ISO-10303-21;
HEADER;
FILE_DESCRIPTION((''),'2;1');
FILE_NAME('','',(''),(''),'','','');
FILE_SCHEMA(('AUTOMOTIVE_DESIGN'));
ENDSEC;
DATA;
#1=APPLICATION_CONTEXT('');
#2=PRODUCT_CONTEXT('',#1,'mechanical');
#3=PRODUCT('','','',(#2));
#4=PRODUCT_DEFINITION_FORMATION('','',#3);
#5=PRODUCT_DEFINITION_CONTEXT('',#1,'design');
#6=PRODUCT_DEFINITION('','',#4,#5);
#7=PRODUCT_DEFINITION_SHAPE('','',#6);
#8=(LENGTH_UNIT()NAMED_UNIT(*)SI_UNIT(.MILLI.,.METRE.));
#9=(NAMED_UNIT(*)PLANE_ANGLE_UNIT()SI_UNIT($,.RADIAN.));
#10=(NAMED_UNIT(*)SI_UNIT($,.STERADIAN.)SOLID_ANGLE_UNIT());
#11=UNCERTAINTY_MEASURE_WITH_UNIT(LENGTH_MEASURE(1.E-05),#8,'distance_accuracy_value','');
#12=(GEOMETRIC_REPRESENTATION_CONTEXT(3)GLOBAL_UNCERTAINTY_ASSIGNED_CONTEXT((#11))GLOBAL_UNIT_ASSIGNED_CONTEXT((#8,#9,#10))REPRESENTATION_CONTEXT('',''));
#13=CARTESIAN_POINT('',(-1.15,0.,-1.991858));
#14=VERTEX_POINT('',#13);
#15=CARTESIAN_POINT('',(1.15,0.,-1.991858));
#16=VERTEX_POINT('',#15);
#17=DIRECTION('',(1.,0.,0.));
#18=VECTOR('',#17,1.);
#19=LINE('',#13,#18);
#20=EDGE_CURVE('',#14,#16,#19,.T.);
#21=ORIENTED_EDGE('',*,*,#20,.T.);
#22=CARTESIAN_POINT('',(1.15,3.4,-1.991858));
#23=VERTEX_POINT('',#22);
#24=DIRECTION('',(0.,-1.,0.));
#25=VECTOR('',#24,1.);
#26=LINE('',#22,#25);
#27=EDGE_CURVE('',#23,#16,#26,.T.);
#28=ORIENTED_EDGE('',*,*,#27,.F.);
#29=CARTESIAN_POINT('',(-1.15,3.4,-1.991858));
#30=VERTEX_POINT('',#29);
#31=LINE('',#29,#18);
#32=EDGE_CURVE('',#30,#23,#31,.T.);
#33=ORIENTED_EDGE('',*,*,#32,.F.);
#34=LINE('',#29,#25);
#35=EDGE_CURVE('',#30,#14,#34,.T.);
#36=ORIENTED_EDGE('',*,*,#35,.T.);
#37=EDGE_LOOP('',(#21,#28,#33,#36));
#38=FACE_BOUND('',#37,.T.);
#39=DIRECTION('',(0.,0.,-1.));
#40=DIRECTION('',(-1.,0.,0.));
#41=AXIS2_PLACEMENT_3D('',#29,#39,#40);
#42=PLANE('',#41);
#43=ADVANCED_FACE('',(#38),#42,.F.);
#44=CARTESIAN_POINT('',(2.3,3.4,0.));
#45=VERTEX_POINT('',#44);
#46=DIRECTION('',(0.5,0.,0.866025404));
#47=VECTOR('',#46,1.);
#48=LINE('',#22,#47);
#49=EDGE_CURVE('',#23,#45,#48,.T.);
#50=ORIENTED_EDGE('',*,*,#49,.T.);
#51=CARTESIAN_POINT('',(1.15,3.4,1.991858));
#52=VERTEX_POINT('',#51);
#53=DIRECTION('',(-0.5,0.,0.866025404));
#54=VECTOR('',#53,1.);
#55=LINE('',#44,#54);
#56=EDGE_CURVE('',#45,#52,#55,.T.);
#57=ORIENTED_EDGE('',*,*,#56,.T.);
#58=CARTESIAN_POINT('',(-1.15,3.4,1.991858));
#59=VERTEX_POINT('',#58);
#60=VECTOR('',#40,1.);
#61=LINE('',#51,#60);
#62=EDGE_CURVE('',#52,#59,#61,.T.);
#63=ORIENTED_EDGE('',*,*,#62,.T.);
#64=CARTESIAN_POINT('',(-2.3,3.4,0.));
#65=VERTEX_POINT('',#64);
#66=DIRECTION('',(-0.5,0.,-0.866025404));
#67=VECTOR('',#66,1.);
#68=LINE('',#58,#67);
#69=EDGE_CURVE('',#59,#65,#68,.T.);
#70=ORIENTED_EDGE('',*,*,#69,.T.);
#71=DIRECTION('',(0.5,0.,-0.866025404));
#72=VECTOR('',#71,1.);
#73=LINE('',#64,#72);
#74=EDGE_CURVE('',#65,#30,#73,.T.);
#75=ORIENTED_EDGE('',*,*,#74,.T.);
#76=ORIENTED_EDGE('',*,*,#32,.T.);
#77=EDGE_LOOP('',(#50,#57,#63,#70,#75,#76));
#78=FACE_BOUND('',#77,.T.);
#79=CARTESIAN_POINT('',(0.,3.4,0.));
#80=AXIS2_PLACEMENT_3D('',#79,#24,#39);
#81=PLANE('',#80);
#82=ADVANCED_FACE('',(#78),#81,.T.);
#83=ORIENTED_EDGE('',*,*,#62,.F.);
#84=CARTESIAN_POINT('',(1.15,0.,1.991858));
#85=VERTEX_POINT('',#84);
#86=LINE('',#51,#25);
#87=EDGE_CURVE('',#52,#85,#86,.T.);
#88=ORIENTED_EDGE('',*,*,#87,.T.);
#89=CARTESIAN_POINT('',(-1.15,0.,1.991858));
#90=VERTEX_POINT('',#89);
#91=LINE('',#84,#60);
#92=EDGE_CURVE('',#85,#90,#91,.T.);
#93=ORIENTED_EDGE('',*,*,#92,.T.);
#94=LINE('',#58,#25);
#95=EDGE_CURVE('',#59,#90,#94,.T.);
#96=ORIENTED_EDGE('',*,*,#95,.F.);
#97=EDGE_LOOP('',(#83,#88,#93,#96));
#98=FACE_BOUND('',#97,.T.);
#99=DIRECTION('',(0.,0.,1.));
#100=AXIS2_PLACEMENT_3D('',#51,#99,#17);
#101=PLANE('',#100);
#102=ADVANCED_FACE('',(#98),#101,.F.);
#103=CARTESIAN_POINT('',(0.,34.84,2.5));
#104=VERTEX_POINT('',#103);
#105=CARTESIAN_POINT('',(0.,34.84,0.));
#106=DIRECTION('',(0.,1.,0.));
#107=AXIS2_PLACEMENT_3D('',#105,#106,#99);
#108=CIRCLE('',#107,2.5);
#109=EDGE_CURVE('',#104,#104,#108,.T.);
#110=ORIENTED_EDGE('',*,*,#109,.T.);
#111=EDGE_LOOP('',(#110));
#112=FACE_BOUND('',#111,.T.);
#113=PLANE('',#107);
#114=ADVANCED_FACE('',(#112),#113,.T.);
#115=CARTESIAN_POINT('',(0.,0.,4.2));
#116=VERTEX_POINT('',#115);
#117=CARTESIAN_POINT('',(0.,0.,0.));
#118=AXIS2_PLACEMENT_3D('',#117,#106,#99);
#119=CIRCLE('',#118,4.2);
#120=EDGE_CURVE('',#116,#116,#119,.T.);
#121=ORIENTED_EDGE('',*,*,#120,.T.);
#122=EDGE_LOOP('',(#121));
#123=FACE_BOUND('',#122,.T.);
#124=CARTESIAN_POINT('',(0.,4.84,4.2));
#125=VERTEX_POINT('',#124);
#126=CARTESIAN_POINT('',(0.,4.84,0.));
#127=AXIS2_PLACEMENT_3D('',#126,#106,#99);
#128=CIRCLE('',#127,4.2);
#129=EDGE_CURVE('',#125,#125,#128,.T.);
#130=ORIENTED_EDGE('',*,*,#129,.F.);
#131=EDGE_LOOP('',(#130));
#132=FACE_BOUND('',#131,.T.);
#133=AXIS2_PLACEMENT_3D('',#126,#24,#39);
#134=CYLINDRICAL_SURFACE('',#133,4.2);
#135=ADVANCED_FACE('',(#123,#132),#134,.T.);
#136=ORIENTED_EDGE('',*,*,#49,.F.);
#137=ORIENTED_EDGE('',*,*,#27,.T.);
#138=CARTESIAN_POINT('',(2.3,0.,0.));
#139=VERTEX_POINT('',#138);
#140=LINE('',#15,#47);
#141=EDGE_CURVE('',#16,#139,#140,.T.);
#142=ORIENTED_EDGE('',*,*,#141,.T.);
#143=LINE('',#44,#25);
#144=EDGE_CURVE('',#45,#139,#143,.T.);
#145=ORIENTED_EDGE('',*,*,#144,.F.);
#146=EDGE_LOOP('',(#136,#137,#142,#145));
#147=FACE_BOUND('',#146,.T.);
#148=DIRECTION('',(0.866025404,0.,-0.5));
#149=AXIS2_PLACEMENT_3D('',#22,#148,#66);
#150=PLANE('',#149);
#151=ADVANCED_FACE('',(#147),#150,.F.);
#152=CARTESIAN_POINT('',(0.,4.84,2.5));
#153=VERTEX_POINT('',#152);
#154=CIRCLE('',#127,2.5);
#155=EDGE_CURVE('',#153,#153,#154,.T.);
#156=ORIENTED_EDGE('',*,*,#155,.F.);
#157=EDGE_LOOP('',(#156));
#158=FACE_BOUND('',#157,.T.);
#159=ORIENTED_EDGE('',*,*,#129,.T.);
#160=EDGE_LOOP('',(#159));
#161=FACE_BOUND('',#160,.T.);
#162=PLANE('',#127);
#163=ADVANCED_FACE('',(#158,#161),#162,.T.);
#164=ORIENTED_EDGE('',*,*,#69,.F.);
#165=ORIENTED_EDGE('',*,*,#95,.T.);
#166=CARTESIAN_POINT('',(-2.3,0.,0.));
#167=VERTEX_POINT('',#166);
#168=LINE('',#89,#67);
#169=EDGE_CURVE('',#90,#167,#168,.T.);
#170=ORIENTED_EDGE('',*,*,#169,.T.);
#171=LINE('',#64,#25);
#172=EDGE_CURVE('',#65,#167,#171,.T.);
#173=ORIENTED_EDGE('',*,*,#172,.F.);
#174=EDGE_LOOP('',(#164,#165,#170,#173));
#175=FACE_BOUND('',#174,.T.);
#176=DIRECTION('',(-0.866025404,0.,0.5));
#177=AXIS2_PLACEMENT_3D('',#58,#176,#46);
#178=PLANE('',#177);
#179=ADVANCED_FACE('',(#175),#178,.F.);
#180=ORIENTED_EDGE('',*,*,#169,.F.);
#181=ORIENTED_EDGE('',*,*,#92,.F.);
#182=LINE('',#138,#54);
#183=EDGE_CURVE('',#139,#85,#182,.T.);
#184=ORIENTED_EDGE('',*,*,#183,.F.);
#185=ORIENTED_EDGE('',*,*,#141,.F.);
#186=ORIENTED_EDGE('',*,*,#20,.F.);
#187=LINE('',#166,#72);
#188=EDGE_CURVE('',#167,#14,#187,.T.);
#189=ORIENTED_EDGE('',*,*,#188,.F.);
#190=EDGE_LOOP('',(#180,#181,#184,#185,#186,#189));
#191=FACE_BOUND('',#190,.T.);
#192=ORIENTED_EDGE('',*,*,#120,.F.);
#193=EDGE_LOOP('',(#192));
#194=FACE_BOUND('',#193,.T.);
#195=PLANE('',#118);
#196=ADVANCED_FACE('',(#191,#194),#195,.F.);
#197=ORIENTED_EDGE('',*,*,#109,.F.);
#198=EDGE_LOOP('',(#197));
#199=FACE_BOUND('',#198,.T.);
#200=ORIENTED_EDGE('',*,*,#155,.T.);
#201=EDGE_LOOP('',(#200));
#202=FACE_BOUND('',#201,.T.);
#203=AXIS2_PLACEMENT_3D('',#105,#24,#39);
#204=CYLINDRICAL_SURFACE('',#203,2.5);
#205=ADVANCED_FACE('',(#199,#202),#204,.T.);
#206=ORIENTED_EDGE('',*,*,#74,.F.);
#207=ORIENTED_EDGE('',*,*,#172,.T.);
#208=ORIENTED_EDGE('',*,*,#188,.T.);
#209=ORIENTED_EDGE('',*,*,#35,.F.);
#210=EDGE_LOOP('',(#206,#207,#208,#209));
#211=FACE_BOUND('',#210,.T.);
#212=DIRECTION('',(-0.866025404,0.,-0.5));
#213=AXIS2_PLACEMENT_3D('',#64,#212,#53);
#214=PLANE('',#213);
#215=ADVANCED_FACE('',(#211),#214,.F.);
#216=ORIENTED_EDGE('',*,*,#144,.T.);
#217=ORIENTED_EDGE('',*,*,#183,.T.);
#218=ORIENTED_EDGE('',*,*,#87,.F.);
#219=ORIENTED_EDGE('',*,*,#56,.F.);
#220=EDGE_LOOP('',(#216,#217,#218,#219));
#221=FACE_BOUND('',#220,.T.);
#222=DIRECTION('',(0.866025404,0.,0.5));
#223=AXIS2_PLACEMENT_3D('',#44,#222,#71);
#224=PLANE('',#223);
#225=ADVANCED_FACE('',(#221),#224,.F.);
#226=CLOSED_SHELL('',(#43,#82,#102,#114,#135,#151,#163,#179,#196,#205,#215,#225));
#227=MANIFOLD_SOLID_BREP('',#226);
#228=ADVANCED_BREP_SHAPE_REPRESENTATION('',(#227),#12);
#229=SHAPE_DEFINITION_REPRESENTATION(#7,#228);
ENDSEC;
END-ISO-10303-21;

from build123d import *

# Parameters (mm, degrees)
SKETCH_1_R          = 4.2
EXTRUDE_1_DEPTH     = 4.84
SKETCH_2_R          = 2.5
EXTRUDE_2_DEPTH     = 30
CUT_EXTRUDE_1_DEPTH = 3.4


with BuildPart() as part:
    # 草图1 → 凸台-拉伸1 (new body)
    with BuildSketch(Plane(origin=(0, 0, 0), x_dir=(1, 0, 0), z_dir=(0, 1, 0))):
        Circle(SKETCH_1_R)
    extrude(amount=EXTRUDE_1_DEPTH)

    # 草图2 → 凸台-拉伸2 (add)
    with BuildSketch(Plane(origin=(0, 4.84, 0), x_dir=(1, 0, 0), z_dir=(0, 1, 0))):
        Circle(SKETCH_2_R)
    extrude(amount=EXTRUDE_2_DEPTH)

    # 草图3 → 切除-拉伸1 (cut)
    with BuildSketch(Plane.XZ):
        Polygon((2.3, 0), (1.15, 1.991858429), (-1.15, 1.991858429), (-2.3, 0), (-1.15, -1.991858429), (1.15, -1.991858429), align=None)
    extrude(amount=-CUT_EXTRUDE_1_DEPTH, mode=Mode.SUBTRACT)


solid = part.part
